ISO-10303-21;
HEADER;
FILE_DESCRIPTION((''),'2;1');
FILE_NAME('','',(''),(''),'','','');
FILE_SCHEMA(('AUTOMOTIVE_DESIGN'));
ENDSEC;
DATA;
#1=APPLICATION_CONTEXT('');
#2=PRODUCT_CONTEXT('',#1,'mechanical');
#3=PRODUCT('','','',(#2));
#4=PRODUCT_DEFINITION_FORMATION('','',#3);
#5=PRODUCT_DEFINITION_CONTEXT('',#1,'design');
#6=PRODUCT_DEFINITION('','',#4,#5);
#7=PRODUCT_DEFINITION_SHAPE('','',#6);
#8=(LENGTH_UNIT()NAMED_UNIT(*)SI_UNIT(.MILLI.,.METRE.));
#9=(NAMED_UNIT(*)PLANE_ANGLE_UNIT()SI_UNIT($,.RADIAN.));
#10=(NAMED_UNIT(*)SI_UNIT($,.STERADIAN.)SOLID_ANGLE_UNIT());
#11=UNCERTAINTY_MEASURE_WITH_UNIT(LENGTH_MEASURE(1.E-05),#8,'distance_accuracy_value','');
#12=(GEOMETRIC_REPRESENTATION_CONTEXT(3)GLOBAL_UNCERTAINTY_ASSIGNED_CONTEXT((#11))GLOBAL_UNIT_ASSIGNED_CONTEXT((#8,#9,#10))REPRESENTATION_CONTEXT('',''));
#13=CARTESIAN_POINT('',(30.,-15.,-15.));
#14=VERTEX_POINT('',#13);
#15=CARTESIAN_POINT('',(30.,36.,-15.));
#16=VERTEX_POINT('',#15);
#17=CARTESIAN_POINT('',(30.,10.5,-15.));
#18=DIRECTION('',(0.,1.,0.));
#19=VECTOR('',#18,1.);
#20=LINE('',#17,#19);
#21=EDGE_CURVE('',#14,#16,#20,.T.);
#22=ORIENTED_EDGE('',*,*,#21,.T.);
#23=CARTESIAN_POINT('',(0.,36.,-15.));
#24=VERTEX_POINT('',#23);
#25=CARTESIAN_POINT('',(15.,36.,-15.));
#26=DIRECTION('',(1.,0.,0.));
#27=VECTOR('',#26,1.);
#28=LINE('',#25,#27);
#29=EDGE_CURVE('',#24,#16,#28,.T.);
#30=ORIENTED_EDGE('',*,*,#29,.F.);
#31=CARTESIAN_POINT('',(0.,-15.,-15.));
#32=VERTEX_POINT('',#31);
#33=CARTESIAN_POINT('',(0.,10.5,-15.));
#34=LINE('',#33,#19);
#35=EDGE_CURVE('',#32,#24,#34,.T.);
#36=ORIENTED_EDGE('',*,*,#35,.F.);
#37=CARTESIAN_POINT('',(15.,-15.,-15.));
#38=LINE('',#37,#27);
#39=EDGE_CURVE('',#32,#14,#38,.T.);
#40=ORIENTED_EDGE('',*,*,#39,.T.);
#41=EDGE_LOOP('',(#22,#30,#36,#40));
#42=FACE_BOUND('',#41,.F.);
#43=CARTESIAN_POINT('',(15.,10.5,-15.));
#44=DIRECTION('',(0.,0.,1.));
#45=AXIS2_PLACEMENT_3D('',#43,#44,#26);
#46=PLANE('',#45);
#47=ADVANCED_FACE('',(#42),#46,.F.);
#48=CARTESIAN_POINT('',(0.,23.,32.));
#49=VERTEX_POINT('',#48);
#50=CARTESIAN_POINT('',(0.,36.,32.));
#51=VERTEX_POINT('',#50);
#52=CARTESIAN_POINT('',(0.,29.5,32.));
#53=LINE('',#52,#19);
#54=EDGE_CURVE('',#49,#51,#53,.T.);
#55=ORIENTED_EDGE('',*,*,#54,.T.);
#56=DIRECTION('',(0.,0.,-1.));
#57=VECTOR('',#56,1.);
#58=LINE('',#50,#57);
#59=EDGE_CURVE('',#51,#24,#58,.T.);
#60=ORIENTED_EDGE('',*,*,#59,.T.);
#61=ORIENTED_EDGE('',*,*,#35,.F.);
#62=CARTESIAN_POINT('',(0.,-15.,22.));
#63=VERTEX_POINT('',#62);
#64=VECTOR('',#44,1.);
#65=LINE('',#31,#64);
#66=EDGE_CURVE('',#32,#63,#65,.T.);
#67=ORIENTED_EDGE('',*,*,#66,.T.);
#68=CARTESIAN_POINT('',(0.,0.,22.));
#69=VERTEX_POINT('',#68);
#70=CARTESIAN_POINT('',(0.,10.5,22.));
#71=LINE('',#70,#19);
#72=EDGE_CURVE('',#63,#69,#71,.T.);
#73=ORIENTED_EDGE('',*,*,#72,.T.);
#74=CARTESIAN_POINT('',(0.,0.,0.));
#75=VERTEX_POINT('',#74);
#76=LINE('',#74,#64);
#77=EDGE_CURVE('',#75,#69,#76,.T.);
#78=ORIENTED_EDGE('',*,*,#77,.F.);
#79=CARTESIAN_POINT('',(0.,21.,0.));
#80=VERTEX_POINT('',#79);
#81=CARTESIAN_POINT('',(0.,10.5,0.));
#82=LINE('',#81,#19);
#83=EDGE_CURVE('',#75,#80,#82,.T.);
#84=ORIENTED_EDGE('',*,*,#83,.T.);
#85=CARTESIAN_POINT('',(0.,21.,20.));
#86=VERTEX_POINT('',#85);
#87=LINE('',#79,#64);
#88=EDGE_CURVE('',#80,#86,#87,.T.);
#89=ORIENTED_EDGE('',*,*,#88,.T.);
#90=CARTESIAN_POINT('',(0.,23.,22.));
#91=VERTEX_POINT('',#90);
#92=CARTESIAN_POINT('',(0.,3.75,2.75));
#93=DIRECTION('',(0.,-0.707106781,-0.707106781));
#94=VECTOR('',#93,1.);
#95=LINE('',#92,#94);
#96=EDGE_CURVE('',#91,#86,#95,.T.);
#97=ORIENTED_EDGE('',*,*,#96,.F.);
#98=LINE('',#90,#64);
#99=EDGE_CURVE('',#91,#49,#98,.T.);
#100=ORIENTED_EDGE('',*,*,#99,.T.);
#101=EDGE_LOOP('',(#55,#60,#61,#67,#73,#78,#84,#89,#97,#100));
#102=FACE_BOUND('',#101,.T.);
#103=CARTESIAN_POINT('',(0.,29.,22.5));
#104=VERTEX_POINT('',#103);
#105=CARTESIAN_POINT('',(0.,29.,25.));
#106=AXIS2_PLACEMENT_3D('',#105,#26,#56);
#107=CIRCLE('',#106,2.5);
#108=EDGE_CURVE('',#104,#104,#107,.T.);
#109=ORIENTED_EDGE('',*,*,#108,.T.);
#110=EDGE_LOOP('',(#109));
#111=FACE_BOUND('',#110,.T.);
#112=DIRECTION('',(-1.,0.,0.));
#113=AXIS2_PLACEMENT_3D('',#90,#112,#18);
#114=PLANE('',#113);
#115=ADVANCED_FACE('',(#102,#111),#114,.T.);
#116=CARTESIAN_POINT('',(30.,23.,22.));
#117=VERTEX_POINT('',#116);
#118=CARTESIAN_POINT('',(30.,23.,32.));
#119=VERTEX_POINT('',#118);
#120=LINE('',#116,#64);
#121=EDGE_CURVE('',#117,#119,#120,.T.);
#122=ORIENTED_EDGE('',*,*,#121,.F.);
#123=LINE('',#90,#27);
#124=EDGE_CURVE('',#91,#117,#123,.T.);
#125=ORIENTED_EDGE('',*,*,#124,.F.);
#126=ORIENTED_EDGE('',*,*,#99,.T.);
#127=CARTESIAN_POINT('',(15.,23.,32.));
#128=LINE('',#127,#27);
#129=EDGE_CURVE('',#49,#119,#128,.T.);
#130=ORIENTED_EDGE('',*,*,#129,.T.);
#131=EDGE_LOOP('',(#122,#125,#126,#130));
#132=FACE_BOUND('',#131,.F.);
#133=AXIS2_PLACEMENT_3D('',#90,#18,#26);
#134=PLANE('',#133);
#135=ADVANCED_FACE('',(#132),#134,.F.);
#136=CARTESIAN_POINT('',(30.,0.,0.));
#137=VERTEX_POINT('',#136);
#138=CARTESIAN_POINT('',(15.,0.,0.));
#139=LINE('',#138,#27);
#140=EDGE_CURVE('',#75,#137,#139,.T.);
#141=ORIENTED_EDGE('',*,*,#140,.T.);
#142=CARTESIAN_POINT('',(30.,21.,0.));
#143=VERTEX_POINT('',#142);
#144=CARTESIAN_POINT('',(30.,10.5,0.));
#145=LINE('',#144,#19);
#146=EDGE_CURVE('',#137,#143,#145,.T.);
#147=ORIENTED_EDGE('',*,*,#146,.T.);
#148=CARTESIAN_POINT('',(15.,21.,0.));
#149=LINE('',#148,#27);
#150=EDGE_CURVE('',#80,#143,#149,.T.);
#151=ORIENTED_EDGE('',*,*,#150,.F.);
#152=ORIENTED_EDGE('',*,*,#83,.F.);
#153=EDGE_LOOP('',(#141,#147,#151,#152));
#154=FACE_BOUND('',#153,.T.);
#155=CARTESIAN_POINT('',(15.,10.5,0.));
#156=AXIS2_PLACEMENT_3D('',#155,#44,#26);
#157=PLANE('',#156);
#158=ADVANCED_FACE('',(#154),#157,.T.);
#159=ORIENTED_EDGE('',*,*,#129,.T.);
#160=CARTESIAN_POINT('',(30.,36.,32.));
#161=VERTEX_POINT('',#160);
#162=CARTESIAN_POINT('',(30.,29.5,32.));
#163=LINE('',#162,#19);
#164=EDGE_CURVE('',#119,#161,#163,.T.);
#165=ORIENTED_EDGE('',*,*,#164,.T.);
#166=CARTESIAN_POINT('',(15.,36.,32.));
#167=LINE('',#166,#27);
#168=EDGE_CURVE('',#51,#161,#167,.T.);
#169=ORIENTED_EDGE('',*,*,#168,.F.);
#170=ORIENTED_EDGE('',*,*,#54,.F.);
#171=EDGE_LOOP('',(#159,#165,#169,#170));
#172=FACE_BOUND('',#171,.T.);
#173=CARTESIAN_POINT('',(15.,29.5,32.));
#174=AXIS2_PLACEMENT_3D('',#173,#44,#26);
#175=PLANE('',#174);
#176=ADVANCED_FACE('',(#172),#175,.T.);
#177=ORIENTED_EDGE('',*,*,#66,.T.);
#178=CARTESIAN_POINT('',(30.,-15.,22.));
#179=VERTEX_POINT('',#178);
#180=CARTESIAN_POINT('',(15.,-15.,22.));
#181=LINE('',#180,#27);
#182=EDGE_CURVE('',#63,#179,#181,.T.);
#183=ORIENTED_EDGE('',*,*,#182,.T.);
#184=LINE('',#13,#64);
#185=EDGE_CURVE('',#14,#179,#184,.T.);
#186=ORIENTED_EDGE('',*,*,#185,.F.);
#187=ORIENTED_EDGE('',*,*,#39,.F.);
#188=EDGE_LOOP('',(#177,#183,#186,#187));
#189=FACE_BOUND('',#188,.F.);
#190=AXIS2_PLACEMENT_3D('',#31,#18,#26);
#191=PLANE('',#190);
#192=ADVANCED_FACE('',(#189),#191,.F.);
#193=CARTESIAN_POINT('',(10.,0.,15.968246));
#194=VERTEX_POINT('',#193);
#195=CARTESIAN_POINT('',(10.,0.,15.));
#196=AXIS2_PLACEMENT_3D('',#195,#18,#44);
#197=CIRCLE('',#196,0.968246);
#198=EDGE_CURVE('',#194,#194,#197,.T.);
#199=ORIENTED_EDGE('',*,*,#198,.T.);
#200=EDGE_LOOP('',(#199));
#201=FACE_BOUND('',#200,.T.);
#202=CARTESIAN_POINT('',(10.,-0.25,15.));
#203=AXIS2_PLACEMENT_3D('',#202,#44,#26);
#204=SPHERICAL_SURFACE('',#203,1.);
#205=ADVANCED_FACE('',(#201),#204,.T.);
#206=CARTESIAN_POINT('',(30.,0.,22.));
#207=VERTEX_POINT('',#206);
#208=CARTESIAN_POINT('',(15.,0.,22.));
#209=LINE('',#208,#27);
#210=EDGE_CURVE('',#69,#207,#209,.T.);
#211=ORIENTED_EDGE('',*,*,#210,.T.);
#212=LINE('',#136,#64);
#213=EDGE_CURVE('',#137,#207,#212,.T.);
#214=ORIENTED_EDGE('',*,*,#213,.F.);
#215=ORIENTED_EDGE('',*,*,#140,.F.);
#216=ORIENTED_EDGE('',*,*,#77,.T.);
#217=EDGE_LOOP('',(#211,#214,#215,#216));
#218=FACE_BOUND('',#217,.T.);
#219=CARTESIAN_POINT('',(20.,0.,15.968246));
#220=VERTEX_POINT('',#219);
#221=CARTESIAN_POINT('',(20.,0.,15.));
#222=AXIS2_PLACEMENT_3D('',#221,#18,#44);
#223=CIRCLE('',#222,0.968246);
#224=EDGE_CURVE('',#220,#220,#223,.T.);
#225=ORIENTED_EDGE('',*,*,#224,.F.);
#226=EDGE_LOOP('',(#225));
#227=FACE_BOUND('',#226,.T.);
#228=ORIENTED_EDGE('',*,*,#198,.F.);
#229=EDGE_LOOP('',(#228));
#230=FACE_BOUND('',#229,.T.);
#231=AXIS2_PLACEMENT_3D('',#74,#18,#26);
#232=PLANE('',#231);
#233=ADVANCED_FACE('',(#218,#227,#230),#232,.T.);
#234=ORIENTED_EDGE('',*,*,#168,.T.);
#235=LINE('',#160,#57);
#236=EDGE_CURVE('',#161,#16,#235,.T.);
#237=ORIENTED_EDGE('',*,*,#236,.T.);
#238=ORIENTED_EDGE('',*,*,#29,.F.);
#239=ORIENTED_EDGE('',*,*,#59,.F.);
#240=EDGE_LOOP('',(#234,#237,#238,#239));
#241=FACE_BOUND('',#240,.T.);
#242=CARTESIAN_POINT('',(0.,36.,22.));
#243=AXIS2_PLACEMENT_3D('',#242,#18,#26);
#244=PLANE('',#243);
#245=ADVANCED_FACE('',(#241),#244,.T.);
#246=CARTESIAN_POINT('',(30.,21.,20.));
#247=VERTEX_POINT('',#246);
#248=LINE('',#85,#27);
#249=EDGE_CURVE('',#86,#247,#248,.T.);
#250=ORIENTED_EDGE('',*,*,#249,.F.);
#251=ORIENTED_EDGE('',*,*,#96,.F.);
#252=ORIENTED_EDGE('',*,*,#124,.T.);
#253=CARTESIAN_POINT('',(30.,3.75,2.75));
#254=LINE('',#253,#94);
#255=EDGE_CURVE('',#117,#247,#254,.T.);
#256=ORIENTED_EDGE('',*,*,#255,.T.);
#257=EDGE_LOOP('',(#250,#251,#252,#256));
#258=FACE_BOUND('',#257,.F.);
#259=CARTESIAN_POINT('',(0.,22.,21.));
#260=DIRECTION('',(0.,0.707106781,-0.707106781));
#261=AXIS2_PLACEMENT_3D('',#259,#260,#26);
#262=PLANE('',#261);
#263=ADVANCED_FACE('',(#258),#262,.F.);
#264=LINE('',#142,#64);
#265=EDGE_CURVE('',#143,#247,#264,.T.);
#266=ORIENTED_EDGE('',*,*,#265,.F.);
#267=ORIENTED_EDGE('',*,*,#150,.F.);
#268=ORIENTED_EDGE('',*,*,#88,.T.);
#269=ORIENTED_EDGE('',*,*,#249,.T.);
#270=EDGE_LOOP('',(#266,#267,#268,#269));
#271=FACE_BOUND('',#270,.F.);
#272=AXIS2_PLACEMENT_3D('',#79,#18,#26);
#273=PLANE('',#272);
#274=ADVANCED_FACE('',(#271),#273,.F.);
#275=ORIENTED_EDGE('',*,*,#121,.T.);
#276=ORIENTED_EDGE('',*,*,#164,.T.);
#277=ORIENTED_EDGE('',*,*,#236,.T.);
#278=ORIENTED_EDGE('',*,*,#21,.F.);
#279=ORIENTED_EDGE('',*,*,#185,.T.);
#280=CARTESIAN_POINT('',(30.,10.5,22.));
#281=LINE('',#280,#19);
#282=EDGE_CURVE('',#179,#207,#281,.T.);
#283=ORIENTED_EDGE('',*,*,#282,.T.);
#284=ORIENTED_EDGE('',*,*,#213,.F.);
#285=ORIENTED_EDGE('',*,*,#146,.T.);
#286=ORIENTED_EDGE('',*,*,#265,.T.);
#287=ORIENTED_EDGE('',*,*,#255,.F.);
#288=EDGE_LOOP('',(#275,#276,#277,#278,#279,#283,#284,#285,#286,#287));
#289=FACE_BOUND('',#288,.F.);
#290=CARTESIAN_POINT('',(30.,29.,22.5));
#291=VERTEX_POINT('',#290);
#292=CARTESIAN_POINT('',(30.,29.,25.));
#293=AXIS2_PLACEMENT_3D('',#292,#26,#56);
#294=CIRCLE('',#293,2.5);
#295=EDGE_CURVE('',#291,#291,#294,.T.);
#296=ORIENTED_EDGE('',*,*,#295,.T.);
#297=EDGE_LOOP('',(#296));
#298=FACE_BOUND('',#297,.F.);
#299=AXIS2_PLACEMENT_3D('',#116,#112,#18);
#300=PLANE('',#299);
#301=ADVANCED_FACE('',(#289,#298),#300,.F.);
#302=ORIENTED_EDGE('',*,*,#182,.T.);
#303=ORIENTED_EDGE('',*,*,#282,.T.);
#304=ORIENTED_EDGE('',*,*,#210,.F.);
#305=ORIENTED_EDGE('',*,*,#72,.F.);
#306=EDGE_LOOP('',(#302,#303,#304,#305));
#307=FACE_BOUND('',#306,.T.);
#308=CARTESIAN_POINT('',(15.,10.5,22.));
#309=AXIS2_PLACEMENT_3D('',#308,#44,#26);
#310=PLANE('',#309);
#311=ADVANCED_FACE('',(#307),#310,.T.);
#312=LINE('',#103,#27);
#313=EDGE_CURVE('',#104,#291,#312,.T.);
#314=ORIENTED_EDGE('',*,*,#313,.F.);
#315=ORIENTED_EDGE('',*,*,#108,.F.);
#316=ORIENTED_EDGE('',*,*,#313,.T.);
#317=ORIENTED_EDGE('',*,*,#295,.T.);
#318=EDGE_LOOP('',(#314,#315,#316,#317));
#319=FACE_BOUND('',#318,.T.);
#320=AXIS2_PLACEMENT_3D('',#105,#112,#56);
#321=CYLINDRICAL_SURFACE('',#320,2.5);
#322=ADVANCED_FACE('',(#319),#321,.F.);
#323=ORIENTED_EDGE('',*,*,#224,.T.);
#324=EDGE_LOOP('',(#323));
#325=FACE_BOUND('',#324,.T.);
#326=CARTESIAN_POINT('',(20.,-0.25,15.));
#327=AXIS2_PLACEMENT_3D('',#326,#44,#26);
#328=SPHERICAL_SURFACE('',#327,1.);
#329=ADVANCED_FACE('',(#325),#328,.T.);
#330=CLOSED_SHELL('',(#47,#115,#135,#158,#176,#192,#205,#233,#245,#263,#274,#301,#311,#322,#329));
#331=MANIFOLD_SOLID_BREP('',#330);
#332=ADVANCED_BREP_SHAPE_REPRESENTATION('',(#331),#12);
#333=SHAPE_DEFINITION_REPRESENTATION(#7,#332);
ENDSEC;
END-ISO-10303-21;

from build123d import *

# Parameters (mm, degrees)
CYLINDER_R     = 2.5
CYLINDER_DEPTH = 30
BOX002_W       = 30
BOX002_H       = 13
BOX002_DEPTH   = 10
BOX_W          = 30
BOX_H          = 21
BOX_DEPTH      = 22
BOX001_W       = 30
BOX001_H       = 51
BOX001_DEPTH   = 37
CHAMFER_SIZE   = 2


with BuildPart() as sphere001:
    # Sphere001 → Sphere001 (revolve)
    with BuildSketch(Plane(origin=(20, -0.25, 15), x_dir=(1, 0, 0), z_dir=(0, -1, 0))):
        with BuildLine():
            ThreePointArc((0, -1), (1, 0), (0, 1))
            Line((0, 1), (0, -1))
        make_face()
    revolve(axis=Axis((20, -0.25, 15), (0, 0, 1)))


with BuildPart() as sphere:
    # Sphere → Sphere (revolve)
    with BuildSketch(Plane(origin=(10, -0.25, 15), x_dir=(1, 0, 0), z_dir=(0, -1, 0))):
        with BuildLine():
            ThreePointArc((0, -1), (1, 0), (0, 1))
            Line((0, 1), (0, -1))
        make_face()
    revolve(axis=Axis((10, -0.25, 15), (0, 0, 1)))


with BuildPart() as cylinder:
    # Cylinder → Cylinder (new body)
    with BuildSketch(Plane(origin=(0, 29, 25), x_dir=(0, 0, -1), z_dir=(1, 0, 0))):
        Circle(CYLINDER_R)
    extrude(amount=CYLINDER_DEPTH)


with BuildPart() as cut001:
    # Box002 → Box002 (new body)
    with BuildSketch(Plane(origin=(0, 23, 22), x_dir=(1, 0, 0), z_dir=(0, 0, 1))):
        with Locations((15, 6.5)):
            Rectangle(BOX002_W, BOX002_H)
    extrude(amount=BOX002_DEPTH)

    # Cut001: cut Cylinder
    add(cylinder.part, mode=Mode.SUBTRACT)


with BuildPart() as cube:
    # Box → Box (new body)
    with BuildSketch(Plane.XY):
        with Locations((15, 10.5)):
            Rectangle(BOX_W, BOX_H)
    extrude(amount=BOX_DEPTH)


with BuildPart() as fusion001:
    # Box001 → Box001 (new body)
    with BuildSketch(Plane(origin=(0, -15, -15), x_dir=(1, 0, 0), z_dir=(0, 0, 1))):
        with Locations((15, 25.5)):
            Rectangle(BOX001_W, BOX001_H)
    extrude(amount=BOX001_DEPTH)

    # Cut: cut Cube
    add(cube.part, mode=Mode.SUBTRACT)

    # Chamfer
    chamfer_edges = [fusion001.edges().sort_by_distance(p)[0] for p in [
        (15, 21, 22),
    ]]
    chamfer(chamfer_edges, length=CHAMFER_SIZE)

    # Fusion: union Cut001
    add(cut001.part)

    # Fusion001: union Sphere001, Sphere
    add(sphere001.part)
    add(sphere.part)


solid = fusion001.part
